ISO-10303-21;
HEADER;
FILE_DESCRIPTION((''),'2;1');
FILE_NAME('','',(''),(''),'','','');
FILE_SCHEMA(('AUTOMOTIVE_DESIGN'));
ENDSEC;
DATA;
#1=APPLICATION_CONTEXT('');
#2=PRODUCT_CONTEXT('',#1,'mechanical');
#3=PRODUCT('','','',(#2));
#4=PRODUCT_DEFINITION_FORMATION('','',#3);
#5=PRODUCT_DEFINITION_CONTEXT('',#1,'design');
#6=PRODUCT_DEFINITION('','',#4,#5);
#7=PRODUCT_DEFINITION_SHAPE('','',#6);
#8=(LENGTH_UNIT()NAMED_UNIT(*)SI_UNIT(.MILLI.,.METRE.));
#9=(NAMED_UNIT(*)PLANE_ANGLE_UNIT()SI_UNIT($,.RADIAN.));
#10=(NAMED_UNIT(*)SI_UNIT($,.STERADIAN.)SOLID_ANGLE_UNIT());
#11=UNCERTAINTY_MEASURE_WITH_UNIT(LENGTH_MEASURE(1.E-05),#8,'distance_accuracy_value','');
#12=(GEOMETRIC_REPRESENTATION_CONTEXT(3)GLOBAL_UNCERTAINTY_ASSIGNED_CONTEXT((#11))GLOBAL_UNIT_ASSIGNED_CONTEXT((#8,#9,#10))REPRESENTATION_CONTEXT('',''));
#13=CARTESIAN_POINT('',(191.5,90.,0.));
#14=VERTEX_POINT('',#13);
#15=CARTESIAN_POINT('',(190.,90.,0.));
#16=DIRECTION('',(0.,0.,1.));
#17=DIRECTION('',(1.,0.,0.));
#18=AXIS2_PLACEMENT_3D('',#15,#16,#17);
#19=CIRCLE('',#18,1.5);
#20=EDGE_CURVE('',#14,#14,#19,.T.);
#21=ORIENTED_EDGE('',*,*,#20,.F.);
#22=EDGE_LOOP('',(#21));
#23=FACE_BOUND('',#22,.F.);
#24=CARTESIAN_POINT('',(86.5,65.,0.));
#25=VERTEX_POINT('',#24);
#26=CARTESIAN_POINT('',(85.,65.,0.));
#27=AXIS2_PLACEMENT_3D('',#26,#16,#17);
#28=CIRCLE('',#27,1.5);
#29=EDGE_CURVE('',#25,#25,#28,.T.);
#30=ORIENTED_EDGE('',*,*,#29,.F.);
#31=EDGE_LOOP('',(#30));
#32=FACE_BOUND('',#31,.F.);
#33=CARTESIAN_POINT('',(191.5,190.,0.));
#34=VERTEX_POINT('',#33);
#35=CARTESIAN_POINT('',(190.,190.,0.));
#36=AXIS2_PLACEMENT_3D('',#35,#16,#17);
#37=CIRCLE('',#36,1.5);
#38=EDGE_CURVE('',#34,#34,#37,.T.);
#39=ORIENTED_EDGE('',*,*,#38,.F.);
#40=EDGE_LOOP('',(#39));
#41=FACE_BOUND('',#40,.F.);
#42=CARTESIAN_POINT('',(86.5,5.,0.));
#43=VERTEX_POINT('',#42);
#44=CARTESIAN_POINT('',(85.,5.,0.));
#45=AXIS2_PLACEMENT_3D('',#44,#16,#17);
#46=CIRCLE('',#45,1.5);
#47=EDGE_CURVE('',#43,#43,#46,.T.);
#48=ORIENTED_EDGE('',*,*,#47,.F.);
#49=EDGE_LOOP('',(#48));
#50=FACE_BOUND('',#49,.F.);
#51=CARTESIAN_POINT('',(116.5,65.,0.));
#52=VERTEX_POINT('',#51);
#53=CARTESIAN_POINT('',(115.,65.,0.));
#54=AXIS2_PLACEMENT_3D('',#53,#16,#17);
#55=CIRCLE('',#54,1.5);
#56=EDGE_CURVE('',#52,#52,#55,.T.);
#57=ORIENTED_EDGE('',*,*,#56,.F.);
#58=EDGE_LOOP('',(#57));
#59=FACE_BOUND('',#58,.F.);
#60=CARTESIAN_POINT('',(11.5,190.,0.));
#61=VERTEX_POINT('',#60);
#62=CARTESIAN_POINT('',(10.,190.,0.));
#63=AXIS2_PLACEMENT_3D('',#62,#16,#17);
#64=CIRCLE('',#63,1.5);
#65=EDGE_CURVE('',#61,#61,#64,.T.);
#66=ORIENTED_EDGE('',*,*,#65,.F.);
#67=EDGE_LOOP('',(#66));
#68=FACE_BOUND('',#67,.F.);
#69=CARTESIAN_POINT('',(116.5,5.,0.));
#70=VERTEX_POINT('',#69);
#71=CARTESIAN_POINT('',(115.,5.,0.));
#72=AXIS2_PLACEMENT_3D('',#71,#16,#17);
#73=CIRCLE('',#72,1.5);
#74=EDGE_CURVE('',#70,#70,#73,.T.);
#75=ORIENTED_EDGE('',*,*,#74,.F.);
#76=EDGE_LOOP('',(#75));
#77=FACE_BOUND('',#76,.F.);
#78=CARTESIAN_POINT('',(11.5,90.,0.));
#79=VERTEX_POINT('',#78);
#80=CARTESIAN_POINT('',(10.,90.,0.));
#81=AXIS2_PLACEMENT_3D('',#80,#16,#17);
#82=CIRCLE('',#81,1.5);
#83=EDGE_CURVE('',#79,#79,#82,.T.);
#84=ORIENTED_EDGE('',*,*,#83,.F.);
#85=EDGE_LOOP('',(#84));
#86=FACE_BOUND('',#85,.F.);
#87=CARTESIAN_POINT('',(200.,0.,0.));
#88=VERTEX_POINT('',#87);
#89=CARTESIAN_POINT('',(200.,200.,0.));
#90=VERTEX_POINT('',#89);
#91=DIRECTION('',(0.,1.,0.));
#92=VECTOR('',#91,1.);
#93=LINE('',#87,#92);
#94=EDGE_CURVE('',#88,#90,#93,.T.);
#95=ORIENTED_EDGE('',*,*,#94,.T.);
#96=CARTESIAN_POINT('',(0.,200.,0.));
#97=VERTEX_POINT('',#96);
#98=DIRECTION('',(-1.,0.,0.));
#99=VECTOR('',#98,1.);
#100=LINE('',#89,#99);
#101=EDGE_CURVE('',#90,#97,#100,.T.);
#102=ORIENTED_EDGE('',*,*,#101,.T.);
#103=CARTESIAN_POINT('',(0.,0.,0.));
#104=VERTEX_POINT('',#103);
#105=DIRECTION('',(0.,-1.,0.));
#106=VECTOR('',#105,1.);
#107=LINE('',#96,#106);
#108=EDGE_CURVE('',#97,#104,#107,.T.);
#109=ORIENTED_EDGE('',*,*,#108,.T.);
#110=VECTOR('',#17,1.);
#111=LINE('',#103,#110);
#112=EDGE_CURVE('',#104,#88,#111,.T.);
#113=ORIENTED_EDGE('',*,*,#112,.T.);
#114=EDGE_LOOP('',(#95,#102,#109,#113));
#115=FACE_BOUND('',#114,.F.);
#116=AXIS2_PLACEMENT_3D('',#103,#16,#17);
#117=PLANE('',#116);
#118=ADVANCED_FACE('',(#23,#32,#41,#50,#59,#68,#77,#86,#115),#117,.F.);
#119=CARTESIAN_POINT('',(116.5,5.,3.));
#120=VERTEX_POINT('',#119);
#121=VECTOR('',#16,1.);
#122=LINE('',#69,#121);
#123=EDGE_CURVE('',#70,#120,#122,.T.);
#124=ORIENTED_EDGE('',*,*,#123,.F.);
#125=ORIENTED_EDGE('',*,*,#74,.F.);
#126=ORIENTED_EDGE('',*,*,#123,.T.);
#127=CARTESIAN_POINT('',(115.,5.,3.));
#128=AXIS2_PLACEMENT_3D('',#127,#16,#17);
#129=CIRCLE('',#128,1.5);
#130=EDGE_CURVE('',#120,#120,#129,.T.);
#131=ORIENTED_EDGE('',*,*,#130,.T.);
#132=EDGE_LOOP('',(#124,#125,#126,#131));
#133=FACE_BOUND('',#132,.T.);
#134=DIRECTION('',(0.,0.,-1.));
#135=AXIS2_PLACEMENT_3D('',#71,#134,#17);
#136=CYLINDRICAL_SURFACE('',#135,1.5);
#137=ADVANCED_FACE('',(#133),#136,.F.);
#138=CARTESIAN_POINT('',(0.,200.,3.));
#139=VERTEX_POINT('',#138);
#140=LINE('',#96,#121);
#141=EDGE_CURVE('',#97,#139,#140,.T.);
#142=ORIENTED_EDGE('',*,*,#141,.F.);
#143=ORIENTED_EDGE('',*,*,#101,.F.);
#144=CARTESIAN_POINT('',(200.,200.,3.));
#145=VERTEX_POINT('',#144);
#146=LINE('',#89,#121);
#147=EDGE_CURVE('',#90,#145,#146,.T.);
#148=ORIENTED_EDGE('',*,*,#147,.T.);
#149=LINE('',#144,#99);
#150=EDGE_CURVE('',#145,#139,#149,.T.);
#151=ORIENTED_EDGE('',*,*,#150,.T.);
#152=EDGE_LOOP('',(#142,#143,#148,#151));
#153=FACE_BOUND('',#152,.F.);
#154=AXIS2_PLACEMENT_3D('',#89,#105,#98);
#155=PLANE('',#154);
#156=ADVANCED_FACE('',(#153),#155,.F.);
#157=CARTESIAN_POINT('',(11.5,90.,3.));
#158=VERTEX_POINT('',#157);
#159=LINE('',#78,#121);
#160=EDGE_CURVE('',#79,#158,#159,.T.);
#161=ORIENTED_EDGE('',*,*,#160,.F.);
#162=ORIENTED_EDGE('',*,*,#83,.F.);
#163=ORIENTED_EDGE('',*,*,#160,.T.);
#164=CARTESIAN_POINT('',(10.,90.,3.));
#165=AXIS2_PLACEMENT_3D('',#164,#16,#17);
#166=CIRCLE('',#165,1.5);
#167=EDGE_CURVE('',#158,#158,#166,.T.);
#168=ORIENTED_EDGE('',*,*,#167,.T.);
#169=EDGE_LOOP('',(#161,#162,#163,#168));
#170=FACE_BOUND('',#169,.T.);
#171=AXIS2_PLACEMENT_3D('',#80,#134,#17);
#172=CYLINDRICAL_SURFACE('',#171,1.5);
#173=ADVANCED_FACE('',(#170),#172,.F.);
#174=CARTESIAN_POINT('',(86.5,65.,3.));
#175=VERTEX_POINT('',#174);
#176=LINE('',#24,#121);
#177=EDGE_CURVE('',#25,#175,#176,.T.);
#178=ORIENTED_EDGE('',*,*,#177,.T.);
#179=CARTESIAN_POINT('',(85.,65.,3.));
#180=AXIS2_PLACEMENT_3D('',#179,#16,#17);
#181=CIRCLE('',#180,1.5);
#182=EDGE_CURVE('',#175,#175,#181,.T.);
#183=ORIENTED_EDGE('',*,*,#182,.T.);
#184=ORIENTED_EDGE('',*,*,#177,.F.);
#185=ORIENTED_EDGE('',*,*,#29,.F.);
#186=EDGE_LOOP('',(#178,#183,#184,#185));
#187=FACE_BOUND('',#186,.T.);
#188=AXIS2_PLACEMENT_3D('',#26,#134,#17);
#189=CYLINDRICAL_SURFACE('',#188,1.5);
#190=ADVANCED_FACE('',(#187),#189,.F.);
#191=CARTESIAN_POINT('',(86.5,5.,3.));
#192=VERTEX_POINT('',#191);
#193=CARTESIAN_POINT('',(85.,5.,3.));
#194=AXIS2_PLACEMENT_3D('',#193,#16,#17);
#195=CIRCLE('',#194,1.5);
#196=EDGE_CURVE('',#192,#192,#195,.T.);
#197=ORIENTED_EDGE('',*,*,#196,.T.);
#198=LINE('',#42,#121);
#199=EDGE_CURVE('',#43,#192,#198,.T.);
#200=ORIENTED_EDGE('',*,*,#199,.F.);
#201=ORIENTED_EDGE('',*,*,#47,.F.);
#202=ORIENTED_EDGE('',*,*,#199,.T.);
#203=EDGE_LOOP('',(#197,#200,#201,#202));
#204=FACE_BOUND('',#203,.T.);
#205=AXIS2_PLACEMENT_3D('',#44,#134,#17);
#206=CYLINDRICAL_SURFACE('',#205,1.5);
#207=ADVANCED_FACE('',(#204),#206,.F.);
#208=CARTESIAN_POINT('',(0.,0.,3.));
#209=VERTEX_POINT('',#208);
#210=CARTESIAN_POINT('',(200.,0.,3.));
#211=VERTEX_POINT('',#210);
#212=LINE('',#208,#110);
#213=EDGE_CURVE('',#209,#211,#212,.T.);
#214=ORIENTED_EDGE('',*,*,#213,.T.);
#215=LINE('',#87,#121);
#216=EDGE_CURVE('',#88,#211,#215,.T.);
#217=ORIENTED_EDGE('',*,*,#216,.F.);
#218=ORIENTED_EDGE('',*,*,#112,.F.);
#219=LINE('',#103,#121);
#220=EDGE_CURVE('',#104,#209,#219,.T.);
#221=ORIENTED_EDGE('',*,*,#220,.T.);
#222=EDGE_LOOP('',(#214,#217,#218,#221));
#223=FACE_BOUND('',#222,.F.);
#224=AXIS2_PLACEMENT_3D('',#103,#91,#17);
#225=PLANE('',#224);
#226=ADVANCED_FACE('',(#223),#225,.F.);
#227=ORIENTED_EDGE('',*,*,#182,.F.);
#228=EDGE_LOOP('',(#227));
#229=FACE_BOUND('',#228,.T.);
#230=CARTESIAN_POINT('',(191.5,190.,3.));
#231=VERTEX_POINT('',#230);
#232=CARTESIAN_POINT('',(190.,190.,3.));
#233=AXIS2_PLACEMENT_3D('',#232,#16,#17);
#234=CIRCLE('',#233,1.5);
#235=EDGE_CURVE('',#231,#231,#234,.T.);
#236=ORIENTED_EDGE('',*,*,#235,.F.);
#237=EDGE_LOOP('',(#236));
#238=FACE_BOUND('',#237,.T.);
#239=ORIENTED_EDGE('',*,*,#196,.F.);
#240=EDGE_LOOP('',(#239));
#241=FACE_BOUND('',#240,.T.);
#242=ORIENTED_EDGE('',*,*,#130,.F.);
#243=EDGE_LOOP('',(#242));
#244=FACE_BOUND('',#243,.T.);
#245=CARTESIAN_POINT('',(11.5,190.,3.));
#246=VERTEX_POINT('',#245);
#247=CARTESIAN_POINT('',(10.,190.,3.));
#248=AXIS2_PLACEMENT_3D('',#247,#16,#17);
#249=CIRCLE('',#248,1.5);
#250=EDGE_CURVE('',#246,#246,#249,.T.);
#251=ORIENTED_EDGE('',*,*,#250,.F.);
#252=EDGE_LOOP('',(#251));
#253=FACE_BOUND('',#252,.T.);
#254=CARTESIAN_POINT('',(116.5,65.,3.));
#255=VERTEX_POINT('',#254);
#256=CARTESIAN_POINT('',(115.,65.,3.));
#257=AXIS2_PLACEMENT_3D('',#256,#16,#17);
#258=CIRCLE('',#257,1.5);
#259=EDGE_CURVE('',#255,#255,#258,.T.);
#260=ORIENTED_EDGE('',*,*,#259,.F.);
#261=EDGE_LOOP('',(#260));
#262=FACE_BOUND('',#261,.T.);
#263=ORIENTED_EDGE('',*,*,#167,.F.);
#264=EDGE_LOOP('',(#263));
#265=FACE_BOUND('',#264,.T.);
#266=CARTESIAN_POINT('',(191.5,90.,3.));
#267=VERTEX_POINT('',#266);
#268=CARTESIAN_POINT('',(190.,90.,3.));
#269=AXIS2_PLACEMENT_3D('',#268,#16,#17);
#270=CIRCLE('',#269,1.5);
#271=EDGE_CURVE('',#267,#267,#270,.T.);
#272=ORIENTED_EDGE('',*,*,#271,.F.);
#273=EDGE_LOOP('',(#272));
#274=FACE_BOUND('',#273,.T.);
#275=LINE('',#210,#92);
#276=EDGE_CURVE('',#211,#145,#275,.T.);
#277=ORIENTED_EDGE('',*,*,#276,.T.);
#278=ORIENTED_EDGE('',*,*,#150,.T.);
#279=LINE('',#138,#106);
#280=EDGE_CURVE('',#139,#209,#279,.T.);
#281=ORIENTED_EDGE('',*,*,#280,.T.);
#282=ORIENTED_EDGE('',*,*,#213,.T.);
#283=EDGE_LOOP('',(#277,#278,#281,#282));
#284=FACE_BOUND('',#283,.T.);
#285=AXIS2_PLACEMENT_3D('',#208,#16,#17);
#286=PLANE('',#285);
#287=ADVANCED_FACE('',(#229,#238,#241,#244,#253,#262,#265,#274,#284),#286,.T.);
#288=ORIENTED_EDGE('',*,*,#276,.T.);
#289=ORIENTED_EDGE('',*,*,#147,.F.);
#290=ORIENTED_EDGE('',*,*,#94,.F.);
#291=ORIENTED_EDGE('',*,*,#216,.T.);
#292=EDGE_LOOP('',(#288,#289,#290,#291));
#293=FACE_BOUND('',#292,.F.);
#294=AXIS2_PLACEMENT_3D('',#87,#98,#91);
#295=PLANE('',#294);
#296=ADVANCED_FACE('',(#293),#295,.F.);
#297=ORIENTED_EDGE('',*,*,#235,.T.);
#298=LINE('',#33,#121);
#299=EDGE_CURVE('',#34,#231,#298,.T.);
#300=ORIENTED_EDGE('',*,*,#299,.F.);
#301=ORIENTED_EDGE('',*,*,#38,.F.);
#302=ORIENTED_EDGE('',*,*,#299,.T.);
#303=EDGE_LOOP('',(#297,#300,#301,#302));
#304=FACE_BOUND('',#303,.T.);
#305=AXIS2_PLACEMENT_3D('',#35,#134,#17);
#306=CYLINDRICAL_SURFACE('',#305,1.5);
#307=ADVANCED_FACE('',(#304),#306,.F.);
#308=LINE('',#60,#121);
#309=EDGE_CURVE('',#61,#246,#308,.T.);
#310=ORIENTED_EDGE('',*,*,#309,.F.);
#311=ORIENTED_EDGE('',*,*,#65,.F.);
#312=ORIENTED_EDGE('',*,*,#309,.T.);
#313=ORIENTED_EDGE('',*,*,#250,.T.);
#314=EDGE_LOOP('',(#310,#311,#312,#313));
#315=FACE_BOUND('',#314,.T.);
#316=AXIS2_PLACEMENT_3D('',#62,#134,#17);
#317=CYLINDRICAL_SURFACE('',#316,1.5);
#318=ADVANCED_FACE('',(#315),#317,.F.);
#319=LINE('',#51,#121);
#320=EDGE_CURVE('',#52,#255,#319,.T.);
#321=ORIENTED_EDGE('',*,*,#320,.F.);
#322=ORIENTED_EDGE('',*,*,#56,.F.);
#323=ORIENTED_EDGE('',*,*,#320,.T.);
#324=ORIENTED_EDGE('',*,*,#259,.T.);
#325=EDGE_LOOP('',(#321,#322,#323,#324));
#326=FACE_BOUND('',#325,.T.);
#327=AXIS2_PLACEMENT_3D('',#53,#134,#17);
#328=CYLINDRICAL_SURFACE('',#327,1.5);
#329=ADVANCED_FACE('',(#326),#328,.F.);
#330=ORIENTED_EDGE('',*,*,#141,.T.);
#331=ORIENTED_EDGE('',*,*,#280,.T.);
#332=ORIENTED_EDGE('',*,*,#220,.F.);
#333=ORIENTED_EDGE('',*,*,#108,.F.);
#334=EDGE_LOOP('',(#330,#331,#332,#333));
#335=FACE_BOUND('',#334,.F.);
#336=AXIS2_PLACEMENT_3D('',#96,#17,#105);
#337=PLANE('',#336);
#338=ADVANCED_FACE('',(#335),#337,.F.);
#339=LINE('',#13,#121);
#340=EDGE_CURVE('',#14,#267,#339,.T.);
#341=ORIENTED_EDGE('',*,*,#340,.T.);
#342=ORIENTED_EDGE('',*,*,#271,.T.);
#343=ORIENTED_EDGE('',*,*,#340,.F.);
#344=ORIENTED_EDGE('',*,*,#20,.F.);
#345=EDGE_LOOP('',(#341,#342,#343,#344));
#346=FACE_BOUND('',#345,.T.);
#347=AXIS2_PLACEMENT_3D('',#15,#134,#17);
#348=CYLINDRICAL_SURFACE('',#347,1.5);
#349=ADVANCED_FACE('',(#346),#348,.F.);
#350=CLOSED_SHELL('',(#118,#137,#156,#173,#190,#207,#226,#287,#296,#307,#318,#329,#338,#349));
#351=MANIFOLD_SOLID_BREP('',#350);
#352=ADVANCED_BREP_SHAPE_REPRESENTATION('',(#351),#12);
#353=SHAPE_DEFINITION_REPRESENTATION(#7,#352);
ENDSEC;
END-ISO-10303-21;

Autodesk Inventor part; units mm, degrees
ref_plane "YZ Plane" through (0, 0, 0) normal (1, 0, 0) x (0, 1, 0)
ref_plane "XZ Plane" through (0, 0, 0) normal (0, 1, 0) x (-1, 0, 0)
ref_plane "XY Plane" through (0, 0, 0) normal (0, 0, 1) x (1, 0, 0)
sketch "Sketch1" plane through (0, 0, 0) normal (0, 0, 1) x (1, 0, 0)
  line L0 (0, 0) -> (200, 0)
  line L1 (200, 0) -> (200, 200)
  line L2 (200, 200) -> (0, 200)
  line L3 (0, 200) -> (0, 0)
  circle A0 centre (85, 5) radius 1.5
  circle A1 centre (115, 5) radius 1.5
  circle A2 centre (85, 65) radius 1.5
  circle A3 centre (115, 65) radius 1.5
  circle A4 centre (10, 190) radius 1.5
  circle A5 centre (190, 190) radius 1.5
  circle A6 centre (10, 90) radius 1.5
  circle A7 centre (190, 90) radius 1.5
  dimension "d0" = 200
  dimension "d1" = 200
  dimension "d2" = 3
  dimension "d3" = 3
  dimension "d4" = 5
  dimension "d5" = 5
  dimension "d6" = 30
  dimension "d7" = 85
  dimension "d8" = 3
  dimension "d9" = 3
  dimension "d10" = 85
  dimension "d11" = 60
  dimension "d12" = 30
  dimension "d13" = 60
  dimension "d14" = 3
  dimension "d15" = 3
  dimension "d16" = 10
  dimension "d17" = 10
  dimension "d18" = 10
  dimension "d19" = 10
  dimension "d20" = 3
  dimension "d21" = 3
  dimension "d22" = 10
  dimension "d23" = 10
  dimension "d24" = 100
  dimension "d25" = 100
extrude "Extrusion1" add sketch "Sketch1" along normal blind 3
properties part number "brackert-temporary-2" material "PC/ABS Plastic"
